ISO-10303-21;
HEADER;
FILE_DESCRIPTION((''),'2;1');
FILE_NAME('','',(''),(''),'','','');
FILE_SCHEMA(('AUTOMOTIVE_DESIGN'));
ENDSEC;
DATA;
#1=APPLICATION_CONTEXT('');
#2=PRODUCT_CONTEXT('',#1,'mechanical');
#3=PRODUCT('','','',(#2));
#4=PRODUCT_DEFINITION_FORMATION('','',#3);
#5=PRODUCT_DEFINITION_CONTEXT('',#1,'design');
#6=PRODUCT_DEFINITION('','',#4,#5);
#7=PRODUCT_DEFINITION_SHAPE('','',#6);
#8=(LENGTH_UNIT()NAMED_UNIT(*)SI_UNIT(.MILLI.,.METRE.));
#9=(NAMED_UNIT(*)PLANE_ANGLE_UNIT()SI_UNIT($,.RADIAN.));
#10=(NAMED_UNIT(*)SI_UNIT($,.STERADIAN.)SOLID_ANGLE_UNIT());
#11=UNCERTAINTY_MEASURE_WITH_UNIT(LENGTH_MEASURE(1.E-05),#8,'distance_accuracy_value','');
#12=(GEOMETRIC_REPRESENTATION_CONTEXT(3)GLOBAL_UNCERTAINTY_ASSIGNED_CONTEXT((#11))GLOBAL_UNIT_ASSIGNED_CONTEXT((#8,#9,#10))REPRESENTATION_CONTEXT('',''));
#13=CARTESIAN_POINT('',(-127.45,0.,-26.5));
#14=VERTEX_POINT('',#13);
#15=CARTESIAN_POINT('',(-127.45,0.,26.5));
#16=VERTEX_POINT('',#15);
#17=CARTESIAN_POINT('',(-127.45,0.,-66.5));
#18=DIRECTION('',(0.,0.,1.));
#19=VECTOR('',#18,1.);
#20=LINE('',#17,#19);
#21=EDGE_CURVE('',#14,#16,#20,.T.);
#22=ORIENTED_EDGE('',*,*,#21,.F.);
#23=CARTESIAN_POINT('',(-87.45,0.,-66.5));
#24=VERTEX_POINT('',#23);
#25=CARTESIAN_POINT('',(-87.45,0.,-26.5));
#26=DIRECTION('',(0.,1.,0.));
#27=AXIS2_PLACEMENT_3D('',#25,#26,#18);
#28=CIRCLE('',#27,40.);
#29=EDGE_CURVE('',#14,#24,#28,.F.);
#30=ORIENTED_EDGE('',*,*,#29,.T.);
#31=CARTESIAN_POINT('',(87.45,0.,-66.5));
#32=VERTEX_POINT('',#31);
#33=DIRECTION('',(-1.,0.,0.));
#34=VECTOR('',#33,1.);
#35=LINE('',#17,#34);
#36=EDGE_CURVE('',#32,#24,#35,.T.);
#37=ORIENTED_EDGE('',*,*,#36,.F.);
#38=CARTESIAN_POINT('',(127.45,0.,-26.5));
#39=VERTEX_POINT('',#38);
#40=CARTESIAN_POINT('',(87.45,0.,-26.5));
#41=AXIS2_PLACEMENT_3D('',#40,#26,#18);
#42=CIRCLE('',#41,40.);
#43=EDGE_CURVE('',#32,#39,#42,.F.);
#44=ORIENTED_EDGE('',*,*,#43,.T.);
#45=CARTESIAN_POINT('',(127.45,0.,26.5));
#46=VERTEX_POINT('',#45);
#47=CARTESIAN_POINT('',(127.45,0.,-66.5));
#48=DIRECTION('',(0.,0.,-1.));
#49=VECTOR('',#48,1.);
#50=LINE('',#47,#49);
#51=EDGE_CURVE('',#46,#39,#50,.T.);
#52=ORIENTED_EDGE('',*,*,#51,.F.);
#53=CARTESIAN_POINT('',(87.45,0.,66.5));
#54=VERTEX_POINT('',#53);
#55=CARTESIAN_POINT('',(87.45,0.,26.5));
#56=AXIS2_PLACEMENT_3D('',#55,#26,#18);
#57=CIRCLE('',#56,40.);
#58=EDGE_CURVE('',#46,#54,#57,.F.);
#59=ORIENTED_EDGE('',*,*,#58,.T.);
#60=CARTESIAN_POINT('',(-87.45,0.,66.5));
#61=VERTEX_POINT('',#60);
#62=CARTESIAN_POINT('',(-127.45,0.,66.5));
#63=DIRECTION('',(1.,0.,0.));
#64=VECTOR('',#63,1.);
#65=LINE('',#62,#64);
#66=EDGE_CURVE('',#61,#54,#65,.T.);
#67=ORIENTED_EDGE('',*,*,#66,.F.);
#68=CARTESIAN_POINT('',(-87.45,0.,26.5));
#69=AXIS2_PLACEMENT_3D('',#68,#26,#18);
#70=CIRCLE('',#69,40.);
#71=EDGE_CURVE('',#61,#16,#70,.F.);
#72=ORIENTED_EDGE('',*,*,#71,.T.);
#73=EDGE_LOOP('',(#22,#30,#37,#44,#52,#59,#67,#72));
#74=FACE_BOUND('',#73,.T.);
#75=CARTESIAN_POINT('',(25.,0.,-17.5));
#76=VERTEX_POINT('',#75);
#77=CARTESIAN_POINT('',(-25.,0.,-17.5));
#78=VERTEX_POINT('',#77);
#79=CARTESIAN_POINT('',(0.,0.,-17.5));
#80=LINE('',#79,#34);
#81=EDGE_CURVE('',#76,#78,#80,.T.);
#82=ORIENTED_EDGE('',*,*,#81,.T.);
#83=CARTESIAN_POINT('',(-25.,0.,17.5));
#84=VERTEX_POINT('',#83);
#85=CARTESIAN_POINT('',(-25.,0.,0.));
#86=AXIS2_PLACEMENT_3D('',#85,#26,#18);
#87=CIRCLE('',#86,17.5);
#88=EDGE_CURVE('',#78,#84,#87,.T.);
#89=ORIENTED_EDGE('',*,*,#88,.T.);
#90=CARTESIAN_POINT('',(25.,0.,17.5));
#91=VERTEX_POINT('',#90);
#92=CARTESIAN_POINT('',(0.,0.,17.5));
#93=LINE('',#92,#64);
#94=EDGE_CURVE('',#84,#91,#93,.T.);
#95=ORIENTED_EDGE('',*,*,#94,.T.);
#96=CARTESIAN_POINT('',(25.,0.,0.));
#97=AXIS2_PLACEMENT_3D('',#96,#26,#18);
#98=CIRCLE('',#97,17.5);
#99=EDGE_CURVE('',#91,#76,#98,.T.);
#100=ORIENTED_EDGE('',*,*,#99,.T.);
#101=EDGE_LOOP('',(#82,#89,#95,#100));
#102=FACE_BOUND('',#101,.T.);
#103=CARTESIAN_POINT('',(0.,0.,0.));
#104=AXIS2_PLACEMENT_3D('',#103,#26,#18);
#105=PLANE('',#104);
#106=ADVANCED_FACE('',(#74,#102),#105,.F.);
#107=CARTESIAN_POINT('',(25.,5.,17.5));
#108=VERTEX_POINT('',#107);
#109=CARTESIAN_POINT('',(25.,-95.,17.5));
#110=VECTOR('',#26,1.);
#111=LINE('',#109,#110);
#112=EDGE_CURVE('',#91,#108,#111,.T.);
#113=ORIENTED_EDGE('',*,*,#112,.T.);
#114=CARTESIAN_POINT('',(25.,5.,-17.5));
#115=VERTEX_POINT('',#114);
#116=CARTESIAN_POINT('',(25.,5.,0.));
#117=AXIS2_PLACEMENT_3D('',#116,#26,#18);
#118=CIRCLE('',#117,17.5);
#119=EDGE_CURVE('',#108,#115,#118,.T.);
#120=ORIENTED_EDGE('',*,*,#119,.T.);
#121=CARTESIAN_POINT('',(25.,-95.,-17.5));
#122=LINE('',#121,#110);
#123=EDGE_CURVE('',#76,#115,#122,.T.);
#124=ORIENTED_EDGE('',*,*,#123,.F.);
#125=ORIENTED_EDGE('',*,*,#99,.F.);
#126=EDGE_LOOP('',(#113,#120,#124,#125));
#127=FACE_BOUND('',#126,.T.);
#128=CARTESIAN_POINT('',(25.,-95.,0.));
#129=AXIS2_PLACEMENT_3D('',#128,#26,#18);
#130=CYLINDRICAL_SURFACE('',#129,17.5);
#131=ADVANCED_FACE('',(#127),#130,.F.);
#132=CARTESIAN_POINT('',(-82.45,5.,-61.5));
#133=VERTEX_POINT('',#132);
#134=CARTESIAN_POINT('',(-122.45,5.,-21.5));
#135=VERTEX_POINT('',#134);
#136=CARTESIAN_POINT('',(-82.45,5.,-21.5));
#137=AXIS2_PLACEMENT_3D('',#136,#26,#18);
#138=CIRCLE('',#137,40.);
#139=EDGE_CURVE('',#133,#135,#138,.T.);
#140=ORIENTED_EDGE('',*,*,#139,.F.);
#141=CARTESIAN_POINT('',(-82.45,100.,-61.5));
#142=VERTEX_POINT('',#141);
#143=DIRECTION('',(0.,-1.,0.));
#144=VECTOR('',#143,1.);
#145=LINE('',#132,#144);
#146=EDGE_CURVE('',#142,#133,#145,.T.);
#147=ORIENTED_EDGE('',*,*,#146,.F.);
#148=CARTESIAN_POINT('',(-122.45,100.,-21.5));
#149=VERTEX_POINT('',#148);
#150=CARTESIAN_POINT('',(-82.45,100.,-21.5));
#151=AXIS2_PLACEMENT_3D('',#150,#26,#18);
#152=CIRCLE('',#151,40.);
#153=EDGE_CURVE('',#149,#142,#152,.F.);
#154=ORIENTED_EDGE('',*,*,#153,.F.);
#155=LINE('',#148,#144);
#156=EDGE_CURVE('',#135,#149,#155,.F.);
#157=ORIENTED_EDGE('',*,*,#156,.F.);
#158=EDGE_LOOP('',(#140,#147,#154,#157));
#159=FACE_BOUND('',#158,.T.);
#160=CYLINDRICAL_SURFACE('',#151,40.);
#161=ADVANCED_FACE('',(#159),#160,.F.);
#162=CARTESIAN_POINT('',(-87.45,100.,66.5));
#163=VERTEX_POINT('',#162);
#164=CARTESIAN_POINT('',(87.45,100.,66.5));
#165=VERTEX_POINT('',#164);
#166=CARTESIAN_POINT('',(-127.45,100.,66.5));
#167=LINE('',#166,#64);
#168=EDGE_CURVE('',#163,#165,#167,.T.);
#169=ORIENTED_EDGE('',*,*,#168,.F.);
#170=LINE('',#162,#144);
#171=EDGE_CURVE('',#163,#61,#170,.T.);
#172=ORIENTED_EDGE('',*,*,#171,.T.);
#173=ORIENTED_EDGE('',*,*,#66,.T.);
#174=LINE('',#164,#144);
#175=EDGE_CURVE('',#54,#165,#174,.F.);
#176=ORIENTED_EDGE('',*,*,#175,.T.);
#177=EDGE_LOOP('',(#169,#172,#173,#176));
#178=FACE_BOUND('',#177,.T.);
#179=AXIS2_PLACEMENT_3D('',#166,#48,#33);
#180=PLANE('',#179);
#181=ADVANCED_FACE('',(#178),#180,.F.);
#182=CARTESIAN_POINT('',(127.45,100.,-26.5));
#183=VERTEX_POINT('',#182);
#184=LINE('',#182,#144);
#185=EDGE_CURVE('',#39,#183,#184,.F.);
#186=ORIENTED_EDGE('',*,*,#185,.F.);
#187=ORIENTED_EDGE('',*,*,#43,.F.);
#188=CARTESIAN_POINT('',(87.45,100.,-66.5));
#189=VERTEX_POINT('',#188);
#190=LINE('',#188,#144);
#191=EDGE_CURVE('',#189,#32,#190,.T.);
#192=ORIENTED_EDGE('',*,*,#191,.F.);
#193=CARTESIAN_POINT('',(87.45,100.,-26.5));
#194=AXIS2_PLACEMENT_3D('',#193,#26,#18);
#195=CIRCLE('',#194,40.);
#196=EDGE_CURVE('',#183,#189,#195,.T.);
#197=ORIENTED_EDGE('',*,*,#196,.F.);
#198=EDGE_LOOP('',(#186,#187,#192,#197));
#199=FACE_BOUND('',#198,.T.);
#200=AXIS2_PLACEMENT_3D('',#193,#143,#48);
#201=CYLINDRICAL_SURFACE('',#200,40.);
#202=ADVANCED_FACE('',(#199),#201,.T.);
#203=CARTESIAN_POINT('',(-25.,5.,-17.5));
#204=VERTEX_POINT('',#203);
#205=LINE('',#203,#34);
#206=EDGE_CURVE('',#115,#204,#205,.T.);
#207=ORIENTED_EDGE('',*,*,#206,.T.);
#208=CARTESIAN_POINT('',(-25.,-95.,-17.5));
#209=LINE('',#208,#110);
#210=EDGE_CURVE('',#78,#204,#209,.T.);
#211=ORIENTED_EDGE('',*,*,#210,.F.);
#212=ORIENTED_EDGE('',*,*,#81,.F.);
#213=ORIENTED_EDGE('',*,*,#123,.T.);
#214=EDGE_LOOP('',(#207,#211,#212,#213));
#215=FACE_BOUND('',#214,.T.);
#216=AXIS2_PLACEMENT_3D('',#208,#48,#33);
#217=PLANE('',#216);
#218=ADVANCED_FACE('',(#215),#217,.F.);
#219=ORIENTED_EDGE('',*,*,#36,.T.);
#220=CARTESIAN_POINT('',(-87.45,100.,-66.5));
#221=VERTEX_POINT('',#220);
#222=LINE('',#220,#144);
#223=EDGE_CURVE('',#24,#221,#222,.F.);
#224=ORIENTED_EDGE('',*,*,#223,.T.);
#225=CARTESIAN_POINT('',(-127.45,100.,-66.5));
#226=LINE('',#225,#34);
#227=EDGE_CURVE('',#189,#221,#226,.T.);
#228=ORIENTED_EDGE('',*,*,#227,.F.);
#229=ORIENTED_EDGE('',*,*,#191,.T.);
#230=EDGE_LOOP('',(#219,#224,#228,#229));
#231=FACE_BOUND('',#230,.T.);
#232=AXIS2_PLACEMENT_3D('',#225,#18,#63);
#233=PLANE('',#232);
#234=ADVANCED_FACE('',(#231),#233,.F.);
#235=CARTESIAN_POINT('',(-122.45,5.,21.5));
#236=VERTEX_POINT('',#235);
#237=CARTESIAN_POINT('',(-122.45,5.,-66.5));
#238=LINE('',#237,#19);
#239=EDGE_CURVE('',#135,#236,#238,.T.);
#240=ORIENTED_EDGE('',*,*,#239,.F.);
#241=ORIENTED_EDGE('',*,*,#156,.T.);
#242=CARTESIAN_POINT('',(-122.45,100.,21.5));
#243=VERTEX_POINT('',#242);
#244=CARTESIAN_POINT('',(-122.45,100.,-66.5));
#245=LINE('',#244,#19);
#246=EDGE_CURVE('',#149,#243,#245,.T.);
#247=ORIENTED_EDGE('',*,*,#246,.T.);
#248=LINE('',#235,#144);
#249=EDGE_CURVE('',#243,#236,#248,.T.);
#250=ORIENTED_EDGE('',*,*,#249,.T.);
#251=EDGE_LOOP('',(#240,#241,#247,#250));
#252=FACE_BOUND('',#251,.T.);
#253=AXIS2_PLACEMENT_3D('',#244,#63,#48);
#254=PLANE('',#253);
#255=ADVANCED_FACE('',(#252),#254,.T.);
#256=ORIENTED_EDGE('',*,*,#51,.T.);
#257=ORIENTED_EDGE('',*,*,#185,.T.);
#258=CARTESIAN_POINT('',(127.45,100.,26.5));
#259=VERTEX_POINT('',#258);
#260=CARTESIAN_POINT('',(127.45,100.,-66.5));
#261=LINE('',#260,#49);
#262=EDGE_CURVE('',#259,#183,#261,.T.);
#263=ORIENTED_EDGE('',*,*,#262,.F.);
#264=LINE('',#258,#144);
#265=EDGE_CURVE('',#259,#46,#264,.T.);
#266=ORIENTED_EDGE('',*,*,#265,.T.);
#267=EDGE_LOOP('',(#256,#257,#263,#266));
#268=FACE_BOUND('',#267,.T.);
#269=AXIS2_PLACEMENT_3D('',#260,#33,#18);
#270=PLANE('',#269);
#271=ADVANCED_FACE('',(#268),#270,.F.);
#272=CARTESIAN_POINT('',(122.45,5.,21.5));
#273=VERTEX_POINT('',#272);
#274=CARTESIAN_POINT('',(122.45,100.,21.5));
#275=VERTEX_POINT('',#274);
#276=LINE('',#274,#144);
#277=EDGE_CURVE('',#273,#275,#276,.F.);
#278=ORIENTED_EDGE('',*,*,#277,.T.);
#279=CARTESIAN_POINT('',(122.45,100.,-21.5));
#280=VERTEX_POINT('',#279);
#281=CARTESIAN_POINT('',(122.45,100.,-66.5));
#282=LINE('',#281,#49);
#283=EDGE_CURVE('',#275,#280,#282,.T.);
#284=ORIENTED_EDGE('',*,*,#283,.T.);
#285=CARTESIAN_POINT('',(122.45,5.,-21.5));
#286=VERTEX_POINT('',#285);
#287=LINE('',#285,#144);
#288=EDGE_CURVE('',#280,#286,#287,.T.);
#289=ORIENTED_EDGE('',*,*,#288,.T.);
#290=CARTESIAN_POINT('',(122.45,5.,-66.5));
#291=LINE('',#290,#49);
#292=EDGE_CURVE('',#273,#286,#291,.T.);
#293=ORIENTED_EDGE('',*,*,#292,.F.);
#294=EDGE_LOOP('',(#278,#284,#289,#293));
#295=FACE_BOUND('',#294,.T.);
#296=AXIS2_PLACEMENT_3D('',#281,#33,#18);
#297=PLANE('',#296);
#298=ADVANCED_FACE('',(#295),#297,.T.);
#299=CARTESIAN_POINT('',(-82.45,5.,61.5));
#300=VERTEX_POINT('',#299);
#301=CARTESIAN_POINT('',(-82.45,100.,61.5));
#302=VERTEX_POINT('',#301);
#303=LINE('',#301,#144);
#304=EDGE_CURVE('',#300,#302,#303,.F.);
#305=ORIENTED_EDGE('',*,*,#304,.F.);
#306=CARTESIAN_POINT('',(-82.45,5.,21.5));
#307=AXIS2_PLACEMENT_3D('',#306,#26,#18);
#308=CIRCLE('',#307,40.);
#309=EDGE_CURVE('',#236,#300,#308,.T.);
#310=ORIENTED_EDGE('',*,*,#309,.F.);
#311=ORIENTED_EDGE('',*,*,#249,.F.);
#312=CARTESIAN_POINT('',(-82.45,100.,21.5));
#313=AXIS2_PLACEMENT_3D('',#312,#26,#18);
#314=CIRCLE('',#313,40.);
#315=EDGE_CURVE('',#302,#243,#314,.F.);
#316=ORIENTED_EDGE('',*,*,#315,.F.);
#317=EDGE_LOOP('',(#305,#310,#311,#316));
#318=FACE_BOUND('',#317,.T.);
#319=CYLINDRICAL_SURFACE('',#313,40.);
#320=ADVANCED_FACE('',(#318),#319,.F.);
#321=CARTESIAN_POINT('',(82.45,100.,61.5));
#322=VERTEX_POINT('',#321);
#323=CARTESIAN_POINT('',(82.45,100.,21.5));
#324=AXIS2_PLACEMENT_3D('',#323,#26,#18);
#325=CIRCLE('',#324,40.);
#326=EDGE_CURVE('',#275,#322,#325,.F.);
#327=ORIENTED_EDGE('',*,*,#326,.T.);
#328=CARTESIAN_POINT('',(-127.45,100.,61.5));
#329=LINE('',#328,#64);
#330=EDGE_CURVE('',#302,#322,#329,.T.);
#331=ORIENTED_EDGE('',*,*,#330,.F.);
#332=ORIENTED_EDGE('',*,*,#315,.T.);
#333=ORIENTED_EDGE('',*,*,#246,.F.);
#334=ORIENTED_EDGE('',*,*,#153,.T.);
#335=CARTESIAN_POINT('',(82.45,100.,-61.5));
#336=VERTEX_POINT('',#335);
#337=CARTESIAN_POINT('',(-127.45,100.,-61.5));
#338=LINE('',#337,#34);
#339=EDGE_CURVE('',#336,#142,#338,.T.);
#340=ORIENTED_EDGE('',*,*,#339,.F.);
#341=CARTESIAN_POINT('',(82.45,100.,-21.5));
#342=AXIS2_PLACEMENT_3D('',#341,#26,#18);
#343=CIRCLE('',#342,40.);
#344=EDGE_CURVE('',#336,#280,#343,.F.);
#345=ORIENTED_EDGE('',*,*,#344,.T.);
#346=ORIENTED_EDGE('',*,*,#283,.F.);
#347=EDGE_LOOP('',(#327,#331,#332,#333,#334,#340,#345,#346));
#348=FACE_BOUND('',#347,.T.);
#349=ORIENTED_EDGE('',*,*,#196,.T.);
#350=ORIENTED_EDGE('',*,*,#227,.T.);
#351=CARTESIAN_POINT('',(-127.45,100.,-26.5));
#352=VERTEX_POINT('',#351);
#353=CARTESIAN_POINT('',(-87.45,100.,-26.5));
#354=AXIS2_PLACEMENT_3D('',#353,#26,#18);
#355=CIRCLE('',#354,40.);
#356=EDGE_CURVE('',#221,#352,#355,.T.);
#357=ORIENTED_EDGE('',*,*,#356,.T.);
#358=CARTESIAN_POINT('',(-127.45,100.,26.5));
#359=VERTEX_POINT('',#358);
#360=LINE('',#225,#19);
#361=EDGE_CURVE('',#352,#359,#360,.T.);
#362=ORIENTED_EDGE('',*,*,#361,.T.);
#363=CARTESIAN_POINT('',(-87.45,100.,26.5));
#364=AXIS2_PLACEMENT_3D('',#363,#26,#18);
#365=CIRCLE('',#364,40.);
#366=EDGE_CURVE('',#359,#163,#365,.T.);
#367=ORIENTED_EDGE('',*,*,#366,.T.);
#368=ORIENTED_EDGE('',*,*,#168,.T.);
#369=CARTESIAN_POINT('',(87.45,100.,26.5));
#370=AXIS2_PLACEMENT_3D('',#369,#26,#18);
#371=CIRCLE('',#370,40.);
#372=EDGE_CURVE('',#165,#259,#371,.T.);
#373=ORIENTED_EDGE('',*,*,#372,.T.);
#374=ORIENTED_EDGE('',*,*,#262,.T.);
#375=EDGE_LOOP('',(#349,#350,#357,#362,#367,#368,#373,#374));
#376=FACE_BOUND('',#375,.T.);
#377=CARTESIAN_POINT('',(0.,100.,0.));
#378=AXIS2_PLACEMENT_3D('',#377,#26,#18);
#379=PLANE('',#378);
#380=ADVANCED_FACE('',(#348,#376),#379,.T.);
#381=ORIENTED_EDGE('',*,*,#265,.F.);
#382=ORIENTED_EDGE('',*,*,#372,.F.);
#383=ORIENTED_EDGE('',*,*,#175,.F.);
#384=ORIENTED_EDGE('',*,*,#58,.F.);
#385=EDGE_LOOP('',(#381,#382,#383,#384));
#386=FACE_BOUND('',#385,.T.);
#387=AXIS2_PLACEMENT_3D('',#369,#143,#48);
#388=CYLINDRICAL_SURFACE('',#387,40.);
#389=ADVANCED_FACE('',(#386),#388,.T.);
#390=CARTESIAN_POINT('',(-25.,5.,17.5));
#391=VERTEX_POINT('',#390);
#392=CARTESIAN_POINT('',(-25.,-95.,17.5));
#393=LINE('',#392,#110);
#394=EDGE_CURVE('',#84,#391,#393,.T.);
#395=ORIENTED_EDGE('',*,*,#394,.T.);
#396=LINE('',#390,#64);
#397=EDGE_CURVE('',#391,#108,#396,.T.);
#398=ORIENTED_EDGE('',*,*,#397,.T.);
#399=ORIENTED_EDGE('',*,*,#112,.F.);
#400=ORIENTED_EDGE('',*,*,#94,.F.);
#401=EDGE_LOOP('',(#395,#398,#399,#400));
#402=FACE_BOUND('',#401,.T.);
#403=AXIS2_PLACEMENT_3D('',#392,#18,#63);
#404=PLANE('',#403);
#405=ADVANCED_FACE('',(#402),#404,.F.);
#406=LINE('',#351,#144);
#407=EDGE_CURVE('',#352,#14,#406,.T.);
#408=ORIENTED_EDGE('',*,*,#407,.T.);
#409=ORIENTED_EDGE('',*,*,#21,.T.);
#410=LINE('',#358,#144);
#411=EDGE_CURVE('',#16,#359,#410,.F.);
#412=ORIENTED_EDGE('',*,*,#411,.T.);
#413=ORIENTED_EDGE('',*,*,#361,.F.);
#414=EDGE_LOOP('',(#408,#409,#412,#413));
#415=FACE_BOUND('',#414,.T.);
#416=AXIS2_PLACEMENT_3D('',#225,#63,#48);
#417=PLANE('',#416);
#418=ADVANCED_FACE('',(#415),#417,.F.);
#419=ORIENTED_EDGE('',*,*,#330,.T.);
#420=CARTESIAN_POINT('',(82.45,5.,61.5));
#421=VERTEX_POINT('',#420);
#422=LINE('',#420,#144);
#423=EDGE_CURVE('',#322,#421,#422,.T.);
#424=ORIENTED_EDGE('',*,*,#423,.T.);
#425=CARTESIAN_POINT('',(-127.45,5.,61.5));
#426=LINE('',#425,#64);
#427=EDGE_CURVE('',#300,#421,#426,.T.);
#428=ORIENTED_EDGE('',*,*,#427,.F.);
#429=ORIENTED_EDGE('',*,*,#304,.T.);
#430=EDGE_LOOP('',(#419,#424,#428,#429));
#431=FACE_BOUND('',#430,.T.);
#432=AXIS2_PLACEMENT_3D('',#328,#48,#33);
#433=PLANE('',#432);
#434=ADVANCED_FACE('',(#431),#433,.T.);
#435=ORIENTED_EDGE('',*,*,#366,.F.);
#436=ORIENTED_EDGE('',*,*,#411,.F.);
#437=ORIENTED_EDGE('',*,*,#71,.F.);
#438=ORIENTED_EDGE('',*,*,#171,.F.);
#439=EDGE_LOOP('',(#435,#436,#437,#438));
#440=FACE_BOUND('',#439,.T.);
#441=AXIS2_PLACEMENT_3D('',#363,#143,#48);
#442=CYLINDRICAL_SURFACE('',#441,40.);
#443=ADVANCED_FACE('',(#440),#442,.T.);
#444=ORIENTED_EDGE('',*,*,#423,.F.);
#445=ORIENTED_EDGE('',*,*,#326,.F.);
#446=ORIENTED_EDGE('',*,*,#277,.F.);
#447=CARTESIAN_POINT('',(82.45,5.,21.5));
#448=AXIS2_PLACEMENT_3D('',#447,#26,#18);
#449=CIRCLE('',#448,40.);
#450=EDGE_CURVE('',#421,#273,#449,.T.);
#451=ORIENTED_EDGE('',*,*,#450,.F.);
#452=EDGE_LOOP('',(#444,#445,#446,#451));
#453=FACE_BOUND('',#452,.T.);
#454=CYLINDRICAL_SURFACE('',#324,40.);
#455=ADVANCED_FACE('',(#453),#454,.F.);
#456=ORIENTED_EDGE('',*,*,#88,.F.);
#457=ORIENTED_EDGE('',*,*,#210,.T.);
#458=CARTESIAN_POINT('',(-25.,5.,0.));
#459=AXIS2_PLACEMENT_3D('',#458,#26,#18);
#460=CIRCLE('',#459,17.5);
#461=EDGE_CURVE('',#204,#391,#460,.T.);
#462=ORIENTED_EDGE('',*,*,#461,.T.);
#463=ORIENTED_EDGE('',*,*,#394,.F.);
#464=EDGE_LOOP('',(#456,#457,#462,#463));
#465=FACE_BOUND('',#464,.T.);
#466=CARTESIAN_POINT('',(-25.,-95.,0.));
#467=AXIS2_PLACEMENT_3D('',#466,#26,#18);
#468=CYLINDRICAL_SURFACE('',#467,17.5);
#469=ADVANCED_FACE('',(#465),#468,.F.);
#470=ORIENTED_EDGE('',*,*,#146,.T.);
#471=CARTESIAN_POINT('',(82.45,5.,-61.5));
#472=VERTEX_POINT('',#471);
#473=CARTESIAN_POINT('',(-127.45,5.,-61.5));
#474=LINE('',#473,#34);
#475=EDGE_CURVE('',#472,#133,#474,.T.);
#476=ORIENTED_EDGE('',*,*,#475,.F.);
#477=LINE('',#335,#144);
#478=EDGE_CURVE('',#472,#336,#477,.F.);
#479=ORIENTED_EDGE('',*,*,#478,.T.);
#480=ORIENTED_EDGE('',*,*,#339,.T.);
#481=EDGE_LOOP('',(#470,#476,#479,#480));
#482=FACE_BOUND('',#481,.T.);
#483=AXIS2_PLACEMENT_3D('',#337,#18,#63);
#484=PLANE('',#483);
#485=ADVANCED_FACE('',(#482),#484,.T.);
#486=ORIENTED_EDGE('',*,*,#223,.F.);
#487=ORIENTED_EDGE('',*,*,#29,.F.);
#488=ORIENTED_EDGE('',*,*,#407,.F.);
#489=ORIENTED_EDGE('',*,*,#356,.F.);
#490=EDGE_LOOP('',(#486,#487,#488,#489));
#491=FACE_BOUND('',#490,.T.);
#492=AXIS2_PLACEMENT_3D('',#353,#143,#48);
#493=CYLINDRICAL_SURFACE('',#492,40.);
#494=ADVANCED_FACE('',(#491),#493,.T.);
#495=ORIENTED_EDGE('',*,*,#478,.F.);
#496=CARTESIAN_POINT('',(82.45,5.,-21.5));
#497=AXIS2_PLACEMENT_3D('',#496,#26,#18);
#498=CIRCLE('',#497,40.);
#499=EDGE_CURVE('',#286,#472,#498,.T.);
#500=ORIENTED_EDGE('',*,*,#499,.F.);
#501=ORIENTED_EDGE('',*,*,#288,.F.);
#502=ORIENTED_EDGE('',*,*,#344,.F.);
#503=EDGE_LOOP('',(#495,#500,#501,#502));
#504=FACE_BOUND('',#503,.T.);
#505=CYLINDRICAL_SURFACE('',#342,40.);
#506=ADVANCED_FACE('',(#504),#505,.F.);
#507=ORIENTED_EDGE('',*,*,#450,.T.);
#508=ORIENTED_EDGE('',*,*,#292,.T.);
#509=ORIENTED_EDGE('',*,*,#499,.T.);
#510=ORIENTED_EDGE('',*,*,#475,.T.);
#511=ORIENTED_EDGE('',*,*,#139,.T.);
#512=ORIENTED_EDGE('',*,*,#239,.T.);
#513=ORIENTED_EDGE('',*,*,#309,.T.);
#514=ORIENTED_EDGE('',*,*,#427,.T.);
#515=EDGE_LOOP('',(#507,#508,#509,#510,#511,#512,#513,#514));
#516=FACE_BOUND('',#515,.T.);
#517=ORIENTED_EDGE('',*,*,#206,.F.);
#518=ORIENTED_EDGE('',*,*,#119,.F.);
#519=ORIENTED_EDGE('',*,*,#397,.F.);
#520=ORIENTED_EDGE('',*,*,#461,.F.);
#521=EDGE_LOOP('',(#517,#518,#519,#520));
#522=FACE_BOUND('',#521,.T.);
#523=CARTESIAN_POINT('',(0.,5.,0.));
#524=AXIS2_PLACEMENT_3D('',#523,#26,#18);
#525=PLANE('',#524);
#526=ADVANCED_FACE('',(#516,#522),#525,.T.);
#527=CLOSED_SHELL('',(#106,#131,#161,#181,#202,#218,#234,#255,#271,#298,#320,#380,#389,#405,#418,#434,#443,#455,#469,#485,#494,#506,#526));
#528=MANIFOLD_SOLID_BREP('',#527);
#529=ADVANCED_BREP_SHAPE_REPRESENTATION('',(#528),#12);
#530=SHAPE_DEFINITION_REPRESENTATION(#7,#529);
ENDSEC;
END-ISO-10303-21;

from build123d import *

# Parameters (mm, degrees)
SKETCH_1_W          = 254.9
SKETCH_1_H          = 133
EXTRUDE_1_DEPTH     = 100
SHELL_1_T           = -5
FILLET_1_R          = 40
FILLET_2_R          = 40
CUT_EXTRUDE_1_DEPTH = 100


with BuildPart() as part:
    # 草图1 → 凸台-拉伸1 (new body)
    with BuildSketch(Plane(origin=(0, 0, 0), x_dir=(1, 0, 0), z_dir=(0, 1, 0))):
        Rectangle(SKETCH_1_W, SKETCH_1_H)
    extrude(amount=EXTRUDE_1_DEPTH)

    # 抽壳1
    shell_1_openings = [part.faces().sort_by_distance(p)[0] for p in [
        (0, 100, 0),
    ]]
    offset(amount=SHELL_1_T, openings=shell_1_openings, kind=Kind.INTERSECTION)

    # 圆角1
    fillet_1_edges = [part.edges().sort_by_distance(p)[0] for p in [
        (122.45, 52.5, 61.5),
        (122.45, 52.5, -61.5),
        (-122.45, 52.5, -61.5),
        (-122.45, 52.5, 61.5),
    ]]
    fillet(fillet_1_edges, radius=FILLET_1_R)

    # 圆角2
    fillet_2_edges = [part.edges().sort_by_distance(p)[0] for p in [
        (127.45, 50, 66.5),
        (-127.45, 50, 66.5),
        (-127.45, 50, -66.5),
        (127.45, 50, -66.5),
    ]]
    fillet(fillet_2_edges, radius=FILLET_2_R)

    # 草图2 → 切除-拉伸1 (cut)
    with BuildSketch(Plane(origin=(0, 5, 0), x_dir=(1, 0, 0), z_dir=(0, 1, 0))):
        with BuildLine():
            Line((-25, 17.5), (25, 17.5))
            ThreePointArc((25, 17.5), (42.5, 0), (25, -17.5))
            Line((25, -17.5), (-25, -17.5))
            ThreePointArc((-25, -17.5), (-42.5, 0), (-25, 17.5))
        make_face()
    extrude(amount=-CUT_EXTRUDE_1_DEPTH, mode=Mode.SUBTRACT)


solid = part.part
